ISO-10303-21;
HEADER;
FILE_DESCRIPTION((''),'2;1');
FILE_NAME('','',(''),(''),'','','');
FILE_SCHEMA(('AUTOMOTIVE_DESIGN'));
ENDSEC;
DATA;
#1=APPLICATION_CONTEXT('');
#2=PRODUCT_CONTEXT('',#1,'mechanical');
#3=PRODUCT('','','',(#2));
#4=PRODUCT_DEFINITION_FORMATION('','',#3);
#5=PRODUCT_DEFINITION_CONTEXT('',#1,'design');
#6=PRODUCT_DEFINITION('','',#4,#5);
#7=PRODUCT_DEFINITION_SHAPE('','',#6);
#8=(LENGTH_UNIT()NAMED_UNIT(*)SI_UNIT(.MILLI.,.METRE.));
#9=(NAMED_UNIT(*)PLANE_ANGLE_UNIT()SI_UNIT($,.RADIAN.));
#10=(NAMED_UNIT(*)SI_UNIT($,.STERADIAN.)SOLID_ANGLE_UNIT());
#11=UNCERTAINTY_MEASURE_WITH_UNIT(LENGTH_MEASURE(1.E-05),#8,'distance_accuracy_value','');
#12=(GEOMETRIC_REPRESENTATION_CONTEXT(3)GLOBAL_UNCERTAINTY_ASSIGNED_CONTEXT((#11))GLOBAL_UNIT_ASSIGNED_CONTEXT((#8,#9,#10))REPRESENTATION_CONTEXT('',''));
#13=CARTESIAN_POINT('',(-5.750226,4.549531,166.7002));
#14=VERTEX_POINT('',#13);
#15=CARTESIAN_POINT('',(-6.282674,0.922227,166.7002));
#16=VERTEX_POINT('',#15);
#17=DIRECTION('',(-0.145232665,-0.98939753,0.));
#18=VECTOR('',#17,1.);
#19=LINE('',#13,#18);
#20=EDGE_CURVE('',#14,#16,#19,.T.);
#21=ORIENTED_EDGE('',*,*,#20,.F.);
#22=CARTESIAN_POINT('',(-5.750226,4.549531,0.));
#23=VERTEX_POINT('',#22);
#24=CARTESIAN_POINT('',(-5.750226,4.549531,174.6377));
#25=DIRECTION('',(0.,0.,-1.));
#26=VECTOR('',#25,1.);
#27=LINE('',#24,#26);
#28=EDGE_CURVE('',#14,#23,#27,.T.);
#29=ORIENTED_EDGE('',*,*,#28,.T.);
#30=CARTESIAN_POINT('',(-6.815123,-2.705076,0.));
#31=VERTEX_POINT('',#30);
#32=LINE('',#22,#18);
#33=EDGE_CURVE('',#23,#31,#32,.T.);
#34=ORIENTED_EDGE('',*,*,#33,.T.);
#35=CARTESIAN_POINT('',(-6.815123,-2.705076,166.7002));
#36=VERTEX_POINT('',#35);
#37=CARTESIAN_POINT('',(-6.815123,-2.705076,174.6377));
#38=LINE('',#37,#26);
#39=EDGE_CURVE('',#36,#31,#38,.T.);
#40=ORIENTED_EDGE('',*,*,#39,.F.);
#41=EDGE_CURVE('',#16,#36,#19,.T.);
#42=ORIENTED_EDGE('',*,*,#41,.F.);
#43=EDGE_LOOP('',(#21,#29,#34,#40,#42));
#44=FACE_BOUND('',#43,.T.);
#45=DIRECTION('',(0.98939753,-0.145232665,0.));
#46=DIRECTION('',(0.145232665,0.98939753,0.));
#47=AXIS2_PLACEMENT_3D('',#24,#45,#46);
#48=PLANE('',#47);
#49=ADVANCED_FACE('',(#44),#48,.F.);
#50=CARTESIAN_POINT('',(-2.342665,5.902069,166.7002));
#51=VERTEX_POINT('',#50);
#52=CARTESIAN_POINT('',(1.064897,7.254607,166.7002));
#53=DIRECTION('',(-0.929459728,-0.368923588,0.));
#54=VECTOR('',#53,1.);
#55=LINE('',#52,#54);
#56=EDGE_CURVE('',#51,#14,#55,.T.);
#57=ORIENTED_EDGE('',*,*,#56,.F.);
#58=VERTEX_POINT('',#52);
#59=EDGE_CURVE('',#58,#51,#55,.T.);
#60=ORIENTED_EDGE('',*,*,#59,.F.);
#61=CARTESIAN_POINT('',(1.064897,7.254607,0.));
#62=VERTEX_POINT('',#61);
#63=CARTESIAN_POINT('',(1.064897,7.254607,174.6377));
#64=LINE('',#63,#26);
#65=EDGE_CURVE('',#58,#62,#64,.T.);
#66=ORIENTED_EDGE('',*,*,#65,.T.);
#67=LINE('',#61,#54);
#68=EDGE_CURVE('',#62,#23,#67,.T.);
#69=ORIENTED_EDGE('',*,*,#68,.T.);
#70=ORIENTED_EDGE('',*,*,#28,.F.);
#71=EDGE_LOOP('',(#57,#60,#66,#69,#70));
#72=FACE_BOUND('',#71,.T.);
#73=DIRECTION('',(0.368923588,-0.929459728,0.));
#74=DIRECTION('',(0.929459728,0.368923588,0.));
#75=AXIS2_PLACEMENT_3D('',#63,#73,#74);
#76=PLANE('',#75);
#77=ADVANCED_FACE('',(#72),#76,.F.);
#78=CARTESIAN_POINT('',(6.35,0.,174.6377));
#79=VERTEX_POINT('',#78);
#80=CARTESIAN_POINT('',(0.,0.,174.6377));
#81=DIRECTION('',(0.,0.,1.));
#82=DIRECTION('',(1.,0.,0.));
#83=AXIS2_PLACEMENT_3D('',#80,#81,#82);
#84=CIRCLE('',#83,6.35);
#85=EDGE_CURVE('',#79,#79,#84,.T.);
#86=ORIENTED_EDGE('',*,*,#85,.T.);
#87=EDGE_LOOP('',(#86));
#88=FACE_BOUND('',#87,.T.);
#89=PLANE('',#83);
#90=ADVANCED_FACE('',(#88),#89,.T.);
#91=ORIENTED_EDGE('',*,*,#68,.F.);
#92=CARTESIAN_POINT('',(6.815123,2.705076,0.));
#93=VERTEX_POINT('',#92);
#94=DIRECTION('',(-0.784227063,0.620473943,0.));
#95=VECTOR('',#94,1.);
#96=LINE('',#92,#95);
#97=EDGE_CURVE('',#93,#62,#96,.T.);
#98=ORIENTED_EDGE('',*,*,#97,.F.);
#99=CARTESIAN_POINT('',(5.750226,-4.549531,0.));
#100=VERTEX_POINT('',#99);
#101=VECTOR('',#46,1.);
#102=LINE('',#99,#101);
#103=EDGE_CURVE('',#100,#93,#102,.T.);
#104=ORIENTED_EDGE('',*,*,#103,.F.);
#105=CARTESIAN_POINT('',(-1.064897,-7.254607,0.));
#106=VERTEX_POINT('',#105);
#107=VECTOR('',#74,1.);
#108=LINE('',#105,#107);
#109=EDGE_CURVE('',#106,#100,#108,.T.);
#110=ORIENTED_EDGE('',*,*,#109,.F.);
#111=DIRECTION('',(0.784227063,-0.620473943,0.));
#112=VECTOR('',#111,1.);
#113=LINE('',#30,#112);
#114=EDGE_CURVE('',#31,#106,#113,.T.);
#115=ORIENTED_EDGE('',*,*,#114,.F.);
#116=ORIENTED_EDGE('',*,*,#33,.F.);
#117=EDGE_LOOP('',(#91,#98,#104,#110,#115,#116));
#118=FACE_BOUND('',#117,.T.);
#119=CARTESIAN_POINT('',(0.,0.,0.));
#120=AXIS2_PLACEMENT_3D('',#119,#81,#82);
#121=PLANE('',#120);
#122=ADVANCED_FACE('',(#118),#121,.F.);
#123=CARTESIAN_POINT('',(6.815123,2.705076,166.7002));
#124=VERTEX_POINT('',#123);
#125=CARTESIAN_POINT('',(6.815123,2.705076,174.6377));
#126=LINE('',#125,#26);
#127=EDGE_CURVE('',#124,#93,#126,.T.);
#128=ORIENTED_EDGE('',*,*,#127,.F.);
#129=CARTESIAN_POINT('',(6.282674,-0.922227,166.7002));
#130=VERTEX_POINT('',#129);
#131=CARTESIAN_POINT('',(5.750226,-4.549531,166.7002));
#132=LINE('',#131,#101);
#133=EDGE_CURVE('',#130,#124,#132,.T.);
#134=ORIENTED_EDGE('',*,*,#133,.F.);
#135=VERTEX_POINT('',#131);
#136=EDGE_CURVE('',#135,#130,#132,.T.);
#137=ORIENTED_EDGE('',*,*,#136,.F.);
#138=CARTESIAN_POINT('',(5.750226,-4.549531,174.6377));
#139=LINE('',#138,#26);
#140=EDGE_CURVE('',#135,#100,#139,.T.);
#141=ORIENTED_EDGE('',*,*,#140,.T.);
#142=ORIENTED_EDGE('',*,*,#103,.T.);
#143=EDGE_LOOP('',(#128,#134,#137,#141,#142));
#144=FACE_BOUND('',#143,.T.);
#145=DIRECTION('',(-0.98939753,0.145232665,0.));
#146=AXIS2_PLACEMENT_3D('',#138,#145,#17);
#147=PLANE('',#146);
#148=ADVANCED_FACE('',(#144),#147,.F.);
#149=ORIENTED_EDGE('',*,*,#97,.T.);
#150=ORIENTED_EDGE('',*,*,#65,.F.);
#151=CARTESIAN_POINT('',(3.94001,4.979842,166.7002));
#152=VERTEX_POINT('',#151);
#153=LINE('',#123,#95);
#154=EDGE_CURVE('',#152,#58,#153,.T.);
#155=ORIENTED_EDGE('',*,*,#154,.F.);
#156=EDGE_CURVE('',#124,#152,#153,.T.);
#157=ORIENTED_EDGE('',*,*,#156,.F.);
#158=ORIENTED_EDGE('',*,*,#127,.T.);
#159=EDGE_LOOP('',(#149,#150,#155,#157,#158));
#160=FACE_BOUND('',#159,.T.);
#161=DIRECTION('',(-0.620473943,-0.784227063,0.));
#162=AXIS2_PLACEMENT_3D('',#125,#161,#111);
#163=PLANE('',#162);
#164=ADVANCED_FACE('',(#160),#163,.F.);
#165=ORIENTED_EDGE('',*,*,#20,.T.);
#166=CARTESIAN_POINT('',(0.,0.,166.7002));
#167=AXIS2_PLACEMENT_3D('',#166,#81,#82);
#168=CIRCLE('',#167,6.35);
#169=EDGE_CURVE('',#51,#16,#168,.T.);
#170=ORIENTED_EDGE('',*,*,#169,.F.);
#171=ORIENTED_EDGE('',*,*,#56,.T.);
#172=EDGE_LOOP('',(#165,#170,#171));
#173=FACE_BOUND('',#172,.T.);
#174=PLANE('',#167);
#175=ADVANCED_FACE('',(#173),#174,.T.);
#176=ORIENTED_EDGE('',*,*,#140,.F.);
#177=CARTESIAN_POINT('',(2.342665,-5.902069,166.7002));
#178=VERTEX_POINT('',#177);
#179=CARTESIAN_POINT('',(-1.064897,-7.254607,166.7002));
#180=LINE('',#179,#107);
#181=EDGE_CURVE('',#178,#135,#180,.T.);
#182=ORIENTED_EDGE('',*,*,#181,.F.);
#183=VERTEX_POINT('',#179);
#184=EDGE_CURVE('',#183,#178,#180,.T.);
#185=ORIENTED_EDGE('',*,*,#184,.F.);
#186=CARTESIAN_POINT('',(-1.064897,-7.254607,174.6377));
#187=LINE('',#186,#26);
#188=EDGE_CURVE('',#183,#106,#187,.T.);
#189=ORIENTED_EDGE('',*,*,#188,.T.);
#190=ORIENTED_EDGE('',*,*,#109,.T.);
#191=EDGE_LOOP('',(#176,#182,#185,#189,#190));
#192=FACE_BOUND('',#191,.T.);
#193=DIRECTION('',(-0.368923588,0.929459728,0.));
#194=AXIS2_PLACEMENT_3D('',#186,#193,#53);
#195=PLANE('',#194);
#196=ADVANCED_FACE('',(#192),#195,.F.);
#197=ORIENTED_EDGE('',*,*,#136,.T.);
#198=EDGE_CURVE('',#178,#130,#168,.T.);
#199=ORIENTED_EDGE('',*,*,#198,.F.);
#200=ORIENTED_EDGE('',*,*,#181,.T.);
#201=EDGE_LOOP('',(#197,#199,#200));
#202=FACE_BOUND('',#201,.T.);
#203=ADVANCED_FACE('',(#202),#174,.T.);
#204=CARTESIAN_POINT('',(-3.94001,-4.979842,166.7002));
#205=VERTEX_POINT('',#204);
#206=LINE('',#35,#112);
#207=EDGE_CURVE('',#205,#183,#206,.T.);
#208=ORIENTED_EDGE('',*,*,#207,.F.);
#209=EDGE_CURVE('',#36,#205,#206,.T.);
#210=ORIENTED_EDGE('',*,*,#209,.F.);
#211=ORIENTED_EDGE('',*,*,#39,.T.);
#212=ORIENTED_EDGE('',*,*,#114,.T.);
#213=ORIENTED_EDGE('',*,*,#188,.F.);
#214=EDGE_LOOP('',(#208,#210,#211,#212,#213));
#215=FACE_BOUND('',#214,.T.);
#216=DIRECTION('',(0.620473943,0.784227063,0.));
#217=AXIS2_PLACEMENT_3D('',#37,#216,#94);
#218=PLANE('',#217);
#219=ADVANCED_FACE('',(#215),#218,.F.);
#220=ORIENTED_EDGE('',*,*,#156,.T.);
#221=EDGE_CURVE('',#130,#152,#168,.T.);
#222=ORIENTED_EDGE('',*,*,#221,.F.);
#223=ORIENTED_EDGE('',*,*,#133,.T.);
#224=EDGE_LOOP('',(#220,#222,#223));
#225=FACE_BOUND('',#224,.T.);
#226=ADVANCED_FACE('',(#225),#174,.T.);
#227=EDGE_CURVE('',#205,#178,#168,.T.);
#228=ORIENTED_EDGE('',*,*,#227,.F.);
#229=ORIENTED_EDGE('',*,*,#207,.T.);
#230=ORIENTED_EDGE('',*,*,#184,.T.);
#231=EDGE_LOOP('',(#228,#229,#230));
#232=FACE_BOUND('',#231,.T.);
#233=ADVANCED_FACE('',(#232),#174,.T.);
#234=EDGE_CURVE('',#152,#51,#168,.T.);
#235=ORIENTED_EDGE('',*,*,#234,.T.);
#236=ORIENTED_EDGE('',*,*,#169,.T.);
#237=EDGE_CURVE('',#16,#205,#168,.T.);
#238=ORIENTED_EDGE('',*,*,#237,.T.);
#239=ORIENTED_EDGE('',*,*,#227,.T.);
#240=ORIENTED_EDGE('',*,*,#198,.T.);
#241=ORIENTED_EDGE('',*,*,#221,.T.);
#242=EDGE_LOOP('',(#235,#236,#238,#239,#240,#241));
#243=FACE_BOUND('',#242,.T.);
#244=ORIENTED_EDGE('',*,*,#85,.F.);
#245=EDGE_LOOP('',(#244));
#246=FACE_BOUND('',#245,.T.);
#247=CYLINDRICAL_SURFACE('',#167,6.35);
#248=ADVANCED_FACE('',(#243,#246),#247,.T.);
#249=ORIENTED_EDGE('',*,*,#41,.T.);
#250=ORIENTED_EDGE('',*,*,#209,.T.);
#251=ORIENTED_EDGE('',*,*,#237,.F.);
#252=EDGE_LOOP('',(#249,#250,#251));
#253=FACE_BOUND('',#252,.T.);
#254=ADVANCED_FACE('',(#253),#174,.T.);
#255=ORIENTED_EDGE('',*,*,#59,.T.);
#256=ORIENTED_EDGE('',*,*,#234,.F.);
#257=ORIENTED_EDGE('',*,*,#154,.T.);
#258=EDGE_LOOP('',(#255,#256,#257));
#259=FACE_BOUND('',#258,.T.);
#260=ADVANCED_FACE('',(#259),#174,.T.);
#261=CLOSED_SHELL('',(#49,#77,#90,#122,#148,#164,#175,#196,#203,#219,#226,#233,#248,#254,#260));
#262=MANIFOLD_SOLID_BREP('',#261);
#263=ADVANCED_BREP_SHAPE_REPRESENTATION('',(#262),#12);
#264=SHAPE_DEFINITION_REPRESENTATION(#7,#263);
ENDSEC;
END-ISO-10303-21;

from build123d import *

# Parameters (mm, degrees)
BOSS_EXTRUDE1_DEPTH = 174.6377
SKETCH2_R           = 7.332348419
SKETCH2_R_2         = 6.35
CUT_EXTRUDE1_DEPTH  = 7.9375


with BuildPart() as part:
    # Sketch1 → Boss-Extrude1 (new body)
    with BuildSketch(Plane.XY):
        Polygon((1.064896502, 7.254607417), (-5.750226067, 4.549531131), (-6.815122568, -2.705076286), (-1.064896502, -7.254607417), (5.750226067, -4.549531131), (6.815122568, 2.705076286), align=None)
    extrude(amount=BOSS_EXTRUDE1_DEPTH)

    # Sketch2 → Cut-Extrude1 (cut)
    with BuildSketch(Plane.XY.offset(174.6377)):
        Circle(SKETCH2_R)
        Circle(SKETCH2_R_2, mode=Mode.SUBTRACT)
    extrude(amount=-CUT_EXTRUDE1_DEPTH, mode=Mode.SUBTRACT)


solid = part.part
